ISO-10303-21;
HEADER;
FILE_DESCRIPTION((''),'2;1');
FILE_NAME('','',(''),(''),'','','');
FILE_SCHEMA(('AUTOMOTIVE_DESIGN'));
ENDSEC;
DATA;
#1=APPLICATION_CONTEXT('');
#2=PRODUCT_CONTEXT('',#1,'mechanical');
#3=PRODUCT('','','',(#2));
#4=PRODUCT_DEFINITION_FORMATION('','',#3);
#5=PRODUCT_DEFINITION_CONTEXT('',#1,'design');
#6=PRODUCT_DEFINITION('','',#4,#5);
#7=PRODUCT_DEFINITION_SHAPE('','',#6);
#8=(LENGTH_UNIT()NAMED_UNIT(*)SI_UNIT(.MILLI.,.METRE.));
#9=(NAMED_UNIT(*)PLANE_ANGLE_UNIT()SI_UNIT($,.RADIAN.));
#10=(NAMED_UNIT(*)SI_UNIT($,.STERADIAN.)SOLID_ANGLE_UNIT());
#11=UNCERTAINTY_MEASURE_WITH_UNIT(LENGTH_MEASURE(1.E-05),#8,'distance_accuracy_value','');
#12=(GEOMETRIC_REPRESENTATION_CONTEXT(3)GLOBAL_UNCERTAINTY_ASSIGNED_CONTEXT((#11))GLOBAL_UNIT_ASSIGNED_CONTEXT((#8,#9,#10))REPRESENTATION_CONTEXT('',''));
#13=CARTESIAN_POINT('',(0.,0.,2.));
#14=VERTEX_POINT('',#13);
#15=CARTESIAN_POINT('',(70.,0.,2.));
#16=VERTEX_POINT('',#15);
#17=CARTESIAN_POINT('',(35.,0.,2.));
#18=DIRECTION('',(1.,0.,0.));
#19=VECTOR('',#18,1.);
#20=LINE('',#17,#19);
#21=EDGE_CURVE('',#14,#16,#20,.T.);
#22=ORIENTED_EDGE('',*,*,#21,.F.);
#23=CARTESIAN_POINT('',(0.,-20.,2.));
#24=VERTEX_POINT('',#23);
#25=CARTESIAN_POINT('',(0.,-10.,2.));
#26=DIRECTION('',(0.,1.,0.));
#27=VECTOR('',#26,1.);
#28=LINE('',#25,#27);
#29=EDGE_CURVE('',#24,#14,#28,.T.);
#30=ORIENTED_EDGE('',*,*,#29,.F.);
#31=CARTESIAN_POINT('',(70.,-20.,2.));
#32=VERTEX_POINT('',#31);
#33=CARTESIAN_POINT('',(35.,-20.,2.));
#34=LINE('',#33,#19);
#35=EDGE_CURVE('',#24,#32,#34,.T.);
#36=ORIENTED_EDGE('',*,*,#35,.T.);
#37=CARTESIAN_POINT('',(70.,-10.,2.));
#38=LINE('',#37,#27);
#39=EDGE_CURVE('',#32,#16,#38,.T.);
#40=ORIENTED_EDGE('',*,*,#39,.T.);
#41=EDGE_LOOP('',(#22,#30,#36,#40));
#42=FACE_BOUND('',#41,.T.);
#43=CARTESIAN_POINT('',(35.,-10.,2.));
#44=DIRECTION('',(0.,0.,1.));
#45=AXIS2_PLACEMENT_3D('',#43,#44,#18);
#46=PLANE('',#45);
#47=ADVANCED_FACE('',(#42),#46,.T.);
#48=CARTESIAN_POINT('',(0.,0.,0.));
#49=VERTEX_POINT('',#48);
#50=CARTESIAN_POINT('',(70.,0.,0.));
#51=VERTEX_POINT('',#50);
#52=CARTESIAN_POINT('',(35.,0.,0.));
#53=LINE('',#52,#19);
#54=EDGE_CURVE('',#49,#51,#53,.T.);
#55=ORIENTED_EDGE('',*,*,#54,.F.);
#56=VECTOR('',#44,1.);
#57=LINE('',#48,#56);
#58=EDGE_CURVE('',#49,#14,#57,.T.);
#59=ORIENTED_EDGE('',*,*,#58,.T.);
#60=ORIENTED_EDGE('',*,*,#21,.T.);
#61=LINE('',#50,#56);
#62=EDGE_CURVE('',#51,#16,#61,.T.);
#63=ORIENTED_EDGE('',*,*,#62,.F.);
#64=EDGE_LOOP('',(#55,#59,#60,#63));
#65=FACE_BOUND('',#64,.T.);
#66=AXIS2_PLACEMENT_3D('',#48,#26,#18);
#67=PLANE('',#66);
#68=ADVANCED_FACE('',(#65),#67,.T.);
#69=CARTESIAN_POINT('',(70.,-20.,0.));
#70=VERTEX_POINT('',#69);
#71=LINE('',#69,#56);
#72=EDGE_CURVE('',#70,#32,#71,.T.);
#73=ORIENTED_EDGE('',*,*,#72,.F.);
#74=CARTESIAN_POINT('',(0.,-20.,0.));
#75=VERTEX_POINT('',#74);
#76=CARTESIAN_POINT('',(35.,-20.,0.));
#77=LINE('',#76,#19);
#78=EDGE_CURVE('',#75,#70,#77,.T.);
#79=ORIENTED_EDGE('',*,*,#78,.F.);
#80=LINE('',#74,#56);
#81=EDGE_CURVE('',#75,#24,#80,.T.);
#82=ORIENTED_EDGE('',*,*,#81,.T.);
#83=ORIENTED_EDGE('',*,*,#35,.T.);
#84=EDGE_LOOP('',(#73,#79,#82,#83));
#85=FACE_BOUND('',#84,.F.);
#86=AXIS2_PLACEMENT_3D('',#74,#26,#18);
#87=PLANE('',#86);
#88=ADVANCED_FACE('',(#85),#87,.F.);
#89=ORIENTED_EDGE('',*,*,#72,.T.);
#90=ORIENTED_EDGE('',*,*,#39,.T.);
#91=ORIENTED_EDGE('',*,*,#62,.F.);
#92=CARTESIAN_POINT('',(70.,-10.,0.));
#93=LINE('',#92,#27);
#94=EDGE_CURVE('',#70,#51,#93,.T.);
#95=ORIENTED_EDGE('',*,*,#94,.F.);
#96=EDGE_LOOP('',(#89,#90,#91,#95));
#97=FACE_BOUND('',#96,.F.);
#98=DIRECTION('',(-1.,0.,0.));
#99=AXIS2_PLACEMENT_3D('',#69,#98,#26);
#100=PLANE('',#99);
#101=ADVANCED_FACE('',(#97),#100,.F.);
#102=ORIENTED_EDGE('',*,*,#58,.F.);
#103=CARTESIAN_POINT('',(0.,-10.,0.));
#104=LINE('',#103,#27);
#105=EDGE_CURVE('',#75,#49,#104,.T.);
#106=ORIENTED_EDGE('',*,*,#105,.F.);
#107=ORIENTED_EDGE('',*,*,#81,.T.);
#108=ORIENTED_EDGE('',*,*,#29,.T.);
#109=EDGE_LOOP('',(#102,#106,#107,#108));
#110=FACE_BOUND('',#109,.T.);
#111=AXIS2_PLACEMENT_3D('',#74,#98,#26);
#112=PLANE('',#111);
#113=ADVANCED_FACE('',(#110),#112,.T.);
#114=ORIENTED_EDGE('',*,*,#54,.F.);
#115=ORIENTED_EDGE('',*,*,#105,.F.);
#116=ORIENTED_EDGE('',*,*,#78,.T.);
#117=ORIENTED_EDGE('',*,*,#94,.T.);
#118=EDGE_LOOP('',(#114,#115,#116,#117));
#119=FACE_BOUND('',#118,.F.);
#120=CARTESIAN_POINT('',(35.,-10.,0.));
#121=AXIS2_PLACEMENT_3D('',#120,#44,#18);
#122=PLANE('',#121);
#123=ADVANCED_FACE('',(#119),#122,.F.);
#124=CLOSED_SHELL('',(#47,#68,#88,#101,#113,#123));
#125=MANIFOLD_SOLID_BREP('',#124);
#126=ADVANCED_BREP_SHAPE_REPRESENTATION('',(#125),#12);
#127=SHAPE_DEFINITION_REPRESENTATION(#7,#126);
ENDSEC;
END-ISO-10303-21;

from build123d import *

# Parameters (mm, degrees)
SKETCH_1_W      = 70
SKETCH_1_H      = 20
EXTRUDE_1_DEPTH = 2


with BuildPart() as part:
    # Эскиз1 → Бобышка-Вытянуть1 (new body)
    with BuildSketch(Plane.XY):
        with Locations((35, -10)):
            Rectangle(SKETCH_1_W, SKETCH_1_H)
    extrude(amount=EXTRUDE_1_DEPTH)


solid = part.part
